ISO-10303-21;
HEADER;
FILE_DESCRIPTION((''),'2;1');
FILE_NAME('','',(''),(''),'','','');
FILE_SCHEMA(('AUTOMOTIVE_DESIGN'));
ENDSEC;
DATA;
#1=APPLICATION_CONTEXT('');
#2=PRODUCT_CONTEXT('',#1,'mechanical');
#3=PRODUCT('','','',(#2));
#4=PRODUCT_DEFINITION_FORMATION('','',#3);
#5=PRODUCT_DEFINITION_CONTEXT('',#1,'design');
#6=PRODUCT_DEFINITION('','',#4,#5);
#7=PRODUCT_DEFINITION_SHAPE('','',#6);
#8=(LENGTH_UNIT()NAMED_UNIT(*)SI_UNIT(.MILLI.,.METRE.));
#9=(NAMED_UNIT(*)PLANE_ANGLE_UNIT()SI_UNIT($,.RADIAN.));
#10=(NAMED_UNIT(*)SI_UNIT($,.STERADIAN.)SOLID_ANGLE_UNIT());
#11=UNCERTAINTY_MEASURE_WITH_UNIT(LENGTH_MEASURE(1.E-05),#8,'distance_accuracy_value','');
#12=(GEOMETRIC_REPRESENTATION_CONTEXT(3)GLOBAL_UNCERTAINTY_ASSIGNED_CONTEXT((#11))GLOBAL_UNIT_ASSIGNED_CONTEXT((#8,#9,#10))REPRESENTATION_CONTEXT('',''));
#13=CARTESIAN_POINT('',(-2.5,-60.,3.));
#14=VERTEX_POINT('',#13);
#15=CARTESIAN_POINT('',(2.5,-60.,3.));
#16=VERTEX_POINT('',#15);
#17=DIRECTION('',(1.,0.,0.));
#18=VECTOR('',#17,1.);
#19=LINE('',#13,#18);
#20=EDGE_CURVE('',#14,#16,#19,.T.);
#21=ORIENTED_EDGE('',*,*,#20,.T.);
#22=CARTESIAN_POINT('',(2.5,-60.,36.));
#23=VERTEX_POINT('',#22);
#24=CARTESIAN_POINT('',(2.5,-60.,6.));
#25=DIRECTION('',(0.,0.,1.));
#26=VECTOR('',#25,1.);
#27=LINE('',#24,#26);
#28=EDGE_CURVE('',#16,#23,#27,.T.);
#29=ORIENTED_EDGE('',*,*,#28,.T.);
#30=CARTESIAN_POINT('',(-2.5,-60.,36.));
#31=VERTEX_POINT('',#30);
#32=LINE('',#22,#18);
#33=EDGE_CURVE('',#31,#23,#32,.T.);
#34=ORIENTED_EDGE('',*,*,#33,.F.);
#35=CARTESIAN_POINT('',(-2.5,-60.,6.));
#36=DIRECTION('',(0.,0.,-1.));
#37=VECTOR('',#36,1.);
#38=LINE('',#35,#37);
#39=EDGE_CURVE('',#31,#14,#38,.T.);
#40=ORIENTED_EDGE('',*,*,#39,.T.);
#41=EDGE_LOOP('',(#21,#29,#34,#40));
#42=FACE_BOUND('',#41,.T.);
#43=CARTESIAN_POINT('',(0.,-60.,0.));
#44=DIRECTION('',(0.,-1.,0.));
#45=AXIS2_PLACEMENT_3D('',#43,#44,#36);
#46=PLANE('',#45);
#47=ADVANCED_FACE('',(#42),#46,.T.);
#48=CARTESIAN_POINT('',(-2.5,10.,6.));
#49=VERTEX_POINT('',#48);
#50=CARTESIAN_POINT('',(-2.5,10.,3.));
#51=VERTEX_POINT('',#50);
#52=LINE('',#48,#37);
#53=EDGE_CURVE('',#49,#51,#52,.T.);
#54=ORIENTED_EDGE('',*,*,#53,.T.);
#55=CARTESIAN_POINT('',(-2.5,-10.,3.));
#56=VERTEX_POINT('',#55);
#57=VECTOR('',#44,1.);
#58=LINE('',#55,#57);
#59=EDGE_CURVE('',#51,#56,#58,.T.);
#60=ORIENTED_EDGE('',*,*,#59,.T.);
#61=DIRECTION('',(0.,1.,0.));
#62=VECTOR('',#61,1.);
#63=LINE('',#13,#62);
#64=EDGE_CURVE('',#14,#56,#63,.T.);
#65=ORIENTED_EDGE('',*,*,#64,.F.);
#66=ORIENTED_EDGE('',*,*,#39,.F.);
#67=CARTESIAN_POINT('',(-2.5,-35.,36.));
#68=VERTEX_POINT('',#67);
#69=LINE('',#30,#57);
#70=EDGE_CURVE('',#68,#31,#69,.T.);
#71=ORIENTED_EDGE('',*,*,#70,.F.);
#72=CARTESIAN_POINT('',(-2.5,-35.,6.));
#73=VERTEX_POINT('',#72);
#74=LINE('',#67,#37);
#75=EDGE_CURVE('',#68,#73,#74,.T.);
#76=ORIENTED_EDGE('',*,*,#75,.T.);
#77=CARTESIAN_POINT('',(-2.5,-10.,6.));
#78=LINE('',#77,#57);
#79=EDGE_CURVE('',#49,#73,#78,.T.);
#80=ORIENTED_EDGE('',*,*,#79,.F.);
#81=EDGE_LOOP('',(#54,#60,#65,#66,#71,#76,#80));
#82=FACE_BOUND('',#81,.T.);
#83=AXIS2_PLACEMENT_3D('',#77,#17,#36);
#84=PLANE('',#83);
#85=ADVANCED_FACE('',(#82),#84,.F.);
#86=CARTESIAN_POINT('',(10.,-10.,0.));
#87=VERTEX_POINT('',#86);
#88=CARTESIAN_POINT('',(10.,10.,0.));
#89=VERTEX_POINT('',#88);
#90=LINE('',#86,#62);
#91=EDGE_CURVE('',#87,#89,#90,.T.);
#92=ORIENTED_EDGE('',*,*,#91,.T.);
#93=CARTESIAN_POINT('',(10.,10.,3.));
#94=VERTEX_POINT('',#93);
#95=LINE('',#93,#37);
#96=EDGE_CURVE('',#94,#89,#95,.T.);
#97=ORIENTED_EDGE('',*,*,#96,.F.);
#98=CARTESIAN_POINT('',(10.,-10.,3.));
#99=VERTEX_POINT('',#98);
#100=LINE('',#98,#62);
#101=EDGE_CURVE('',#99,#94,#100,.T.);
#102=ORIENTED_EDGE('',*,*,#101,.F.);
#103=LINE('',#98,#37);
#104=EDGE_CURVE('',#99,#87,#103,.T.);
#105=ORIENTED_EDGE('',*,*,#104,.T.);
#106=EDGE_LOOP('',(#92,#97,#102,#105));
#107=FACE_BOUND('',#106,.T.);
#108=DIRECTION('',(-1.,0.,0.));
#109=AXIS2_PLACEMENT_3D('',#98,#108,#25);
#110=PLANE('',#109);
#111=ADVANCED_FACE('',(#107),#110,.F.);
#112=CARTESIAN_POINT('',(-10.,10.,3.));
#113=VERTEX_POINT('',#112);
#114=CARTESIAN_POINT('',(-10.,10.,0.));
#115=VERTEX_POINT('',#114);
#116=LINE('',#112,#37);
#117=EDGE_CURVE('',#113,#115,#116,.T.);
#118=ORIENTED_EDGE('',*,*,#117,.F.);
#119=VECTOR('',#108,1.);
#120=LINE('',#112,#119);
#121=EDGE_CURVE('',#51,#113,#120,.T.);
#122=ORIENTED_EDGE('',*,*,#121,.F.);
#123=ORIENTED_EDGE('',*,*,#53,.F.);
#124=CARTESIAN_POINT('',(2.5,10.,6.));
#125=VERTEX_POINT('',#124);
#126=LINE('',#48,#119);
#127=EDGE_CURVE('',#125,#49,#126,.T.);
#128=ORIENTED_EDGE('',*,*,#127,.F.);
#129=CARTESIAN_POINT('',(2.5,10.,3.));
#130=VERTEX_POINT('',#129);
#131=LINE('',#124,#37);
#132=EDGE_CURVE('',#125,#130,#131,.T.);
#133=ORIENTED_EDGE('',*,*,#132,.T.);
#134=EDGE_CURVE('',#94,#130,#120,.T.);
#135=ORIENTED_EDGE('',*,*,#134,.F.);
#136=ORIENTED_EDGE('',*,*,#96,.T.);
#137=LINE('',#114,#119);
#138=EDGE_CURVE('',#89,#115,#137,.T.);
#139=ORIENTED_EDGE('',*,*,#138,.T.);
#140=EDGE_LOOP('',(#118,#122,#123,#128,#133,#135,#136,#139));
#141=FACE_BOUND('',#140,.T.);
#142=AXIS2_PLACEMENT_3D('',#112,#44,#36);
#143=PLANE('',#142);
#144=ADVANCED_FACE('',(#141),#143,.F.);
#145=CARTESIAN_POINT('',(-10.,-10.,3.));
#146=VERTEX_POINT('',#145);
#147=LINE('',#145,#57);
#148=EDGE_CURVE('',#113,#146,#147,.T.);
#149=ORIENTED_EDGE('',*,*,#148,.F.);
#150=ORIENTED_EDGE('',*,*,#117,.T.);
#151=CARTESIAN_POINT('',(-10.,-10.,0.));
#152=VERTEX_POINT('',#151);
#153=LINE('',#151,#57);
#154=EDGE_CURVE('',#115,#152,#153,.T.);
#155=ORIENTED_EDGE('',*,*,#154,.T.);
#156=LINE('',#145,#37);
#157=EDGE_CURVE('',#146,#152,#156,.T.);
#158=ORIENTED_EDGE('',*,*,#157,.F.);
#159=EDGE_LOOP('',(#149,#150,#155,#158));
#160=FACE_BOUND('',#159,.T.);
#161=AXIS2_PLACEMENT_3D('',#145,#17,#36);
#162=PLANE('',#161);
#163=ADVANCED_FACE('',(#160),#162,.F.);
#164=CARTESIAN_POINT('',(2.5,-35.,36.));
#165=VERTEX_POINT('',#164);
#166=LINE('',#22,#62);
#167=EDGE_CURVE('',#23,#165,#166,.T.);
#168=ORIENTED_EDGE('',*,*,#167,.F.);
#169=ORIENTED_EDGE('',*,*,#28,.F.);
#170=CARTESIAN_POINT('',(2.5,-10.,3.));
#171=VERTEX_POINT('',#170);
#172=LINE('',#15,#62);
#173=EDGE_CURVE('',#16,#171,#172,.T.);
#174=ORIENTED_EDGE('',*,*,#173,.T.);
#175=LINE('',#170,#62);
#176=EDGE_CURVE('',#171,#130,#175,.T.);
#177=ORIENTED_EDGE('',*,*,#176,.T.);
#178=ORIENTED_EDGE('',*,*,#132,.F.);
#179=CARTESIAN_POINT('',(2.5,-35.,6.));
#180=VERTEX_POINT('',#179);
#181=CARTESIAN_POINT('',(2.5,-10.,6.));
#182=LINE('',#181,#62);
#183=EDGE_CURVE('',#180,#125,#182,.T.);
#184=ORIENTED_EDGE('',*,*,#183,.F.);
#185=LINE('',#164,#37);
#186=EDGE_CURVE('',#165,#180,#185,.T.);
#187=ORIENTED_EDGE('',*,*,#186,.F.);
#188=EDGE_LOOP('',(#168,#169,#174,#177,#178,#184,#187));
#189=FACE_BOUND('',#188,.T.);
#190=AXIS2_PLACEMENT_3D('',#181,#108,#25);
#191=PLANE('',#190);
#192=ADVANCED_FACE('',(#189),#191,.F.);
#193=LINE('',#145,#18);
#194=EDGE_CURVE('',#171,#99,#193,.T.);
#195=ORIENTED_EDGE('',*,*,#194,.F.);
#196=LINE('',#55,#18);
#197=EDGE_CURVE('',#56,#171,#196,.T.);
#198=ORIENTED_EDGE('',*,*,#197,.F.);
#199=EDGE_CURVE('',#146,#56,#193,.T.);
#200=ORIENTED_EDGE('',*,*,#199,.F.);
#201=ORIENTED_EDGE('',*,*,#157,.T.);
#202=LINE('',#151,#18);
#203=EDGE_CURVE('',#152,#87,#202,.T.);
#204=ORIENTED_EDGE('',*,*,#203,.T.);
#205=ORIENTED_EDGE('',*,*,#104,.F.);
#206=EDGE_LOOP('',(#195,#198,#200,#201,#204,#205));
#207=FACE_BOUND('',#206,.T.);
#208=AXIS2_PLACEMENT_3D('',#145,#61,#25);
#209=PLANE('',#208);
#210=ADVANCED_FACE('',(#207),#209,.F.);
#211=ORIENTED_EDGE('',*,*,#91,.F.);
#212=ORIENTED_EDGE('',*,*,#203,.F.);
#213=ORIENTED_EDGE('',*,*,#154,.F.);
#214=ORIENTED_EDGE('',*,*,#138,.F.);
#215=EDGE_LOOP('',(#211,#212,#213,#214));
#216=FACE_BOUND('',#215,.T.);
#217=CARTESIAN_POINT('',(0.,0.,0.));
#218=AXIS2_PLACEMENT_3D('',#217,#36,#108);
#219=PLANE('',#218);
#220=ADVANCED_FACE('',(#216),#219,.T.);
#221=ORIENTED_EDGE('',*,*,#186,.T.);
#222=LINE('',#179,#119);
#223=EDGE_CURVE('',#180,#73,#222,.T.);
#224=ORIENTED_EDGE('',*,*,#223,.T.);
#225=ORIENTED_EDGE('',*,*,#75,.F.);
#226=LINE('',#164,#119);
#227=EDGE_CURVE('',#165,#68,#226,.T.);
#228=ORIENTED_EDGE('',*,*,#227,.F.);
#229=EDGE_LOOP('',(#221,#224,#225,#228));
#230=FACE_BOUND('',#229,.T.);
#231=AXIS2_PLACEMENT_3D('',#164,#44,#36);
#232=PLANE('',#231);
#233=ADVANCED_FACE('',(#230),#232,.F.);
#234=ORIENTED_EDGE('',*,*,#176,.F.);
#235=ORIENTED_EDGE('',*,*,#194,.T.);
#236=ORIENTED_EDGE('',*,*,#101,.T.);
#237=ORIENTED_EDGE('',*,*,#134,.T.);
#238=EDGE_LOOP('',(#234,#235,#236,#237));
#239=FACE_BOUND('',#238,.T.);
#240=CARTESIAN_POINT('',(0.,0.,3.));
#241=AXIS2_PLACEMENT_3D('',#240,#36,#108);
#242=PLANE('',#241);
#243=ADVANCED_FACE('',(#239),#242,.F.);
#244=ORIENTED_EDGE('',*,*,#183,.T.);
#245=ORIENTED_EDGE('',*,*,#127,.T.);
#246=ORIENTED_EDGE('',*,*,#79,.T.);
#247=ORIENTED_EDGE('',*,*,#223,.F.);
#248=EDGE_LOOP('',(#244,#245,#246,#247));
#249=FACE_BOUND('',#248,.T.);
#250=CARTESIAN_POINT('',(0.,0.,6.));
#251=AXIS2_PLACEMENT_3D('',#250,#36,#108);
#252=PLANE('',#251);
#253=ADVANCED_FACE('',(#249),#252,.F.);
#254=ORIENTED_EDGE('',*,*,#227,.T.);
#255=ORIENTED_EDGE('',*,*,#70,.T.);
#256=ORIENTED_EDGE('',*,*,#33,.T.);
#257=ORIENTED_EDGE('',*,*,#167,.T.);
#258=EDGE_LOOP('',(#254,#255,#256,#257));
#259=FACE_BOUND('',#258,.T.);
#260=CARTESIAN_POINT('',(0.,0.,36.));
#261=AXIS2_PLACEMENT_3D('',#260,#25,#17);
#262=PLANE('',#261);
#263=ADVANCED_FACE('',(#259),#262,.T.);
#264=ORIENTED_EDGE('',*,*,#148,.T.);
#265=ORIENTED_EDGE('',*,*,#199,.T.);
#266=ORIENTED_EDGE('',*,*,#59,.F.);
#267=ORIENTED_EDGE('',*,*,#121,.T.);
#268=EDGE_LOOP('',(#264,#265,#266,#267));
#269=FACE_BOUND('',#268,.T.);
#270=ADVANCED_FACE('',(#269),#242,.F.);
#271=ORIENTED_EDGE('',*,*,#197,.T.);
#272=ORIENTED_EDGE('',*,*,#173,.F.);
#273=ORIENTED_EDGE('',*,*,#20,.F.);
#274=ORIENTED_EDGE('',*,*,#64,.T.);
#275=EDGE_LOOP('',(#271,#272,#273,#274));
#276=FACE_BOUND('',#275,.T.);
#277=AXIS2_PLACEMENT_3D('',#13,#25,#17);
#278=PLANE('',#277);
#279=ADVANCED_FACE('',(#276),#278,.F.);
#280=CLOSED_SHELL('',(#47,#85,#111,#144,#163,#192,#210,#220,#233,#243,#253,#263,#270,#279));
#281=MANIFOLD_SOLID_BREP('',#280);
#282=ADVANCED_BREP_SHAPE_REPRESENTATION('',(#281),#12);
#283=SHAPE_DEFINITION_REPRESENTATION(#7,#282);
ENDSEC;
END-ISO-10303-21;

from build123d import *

# Parameters (mm, degrees)
SKETCH_1_W      = 20
SKETCH_1_H      = 20
EXTRUDE_1_DEPTH = 3
SKETCH_2_W      = 5
SKETCH_2_H      = 20
EXTRUDE_2_DEPTH = 3
SKETCH_3_W      = 5
SKETCH_3_H      = 3
EXTRUDE_3_DEPTH = 50
SKETCH_4_W      = 5
SKETCH_4_H      = 25
EXTRUDE_4_DEPTH = 30


with BuildPart() as part:
    # 草图1 → 凸台-拉伸1 (new body)
    with BuildSketch(Plane.XY):
        Rectangle(SKETCH_1_W, SKETCH_1_H)
    extrude(amount=EXTRUDE_1_DEPTH)

    # 草图2 → 凸台-拉伸2 (add)
    with BuildSketch(Plane.XY.offset(3)):
        Rectangle(SKETCH_2_W, SKETCH_2_H)
    extrude(amount=EXTRUDE_2_DEPTH)

    # 草图3 → 凸台-拉伸3 (add)
    with BuildSketch(Plane.XZ.offset(10)):
        with Locations((0, 4.5)):
            Rectangle(SKETCH_3_W, SKETCH_3_H)
    extrude(amount=EXTRUDE_3_DEPTH)

    # 草图4 → 凸台-拉伸4 (add)
    with BuildSketch(Plane.XY.offset(6)):
        with Locations((0, -47.5)):
            Rectangle(SKETCH_4_W, SKETCH_4_H)
    extrude(amount=EXTRUDE_4_DEPTH)


solid = part.part
